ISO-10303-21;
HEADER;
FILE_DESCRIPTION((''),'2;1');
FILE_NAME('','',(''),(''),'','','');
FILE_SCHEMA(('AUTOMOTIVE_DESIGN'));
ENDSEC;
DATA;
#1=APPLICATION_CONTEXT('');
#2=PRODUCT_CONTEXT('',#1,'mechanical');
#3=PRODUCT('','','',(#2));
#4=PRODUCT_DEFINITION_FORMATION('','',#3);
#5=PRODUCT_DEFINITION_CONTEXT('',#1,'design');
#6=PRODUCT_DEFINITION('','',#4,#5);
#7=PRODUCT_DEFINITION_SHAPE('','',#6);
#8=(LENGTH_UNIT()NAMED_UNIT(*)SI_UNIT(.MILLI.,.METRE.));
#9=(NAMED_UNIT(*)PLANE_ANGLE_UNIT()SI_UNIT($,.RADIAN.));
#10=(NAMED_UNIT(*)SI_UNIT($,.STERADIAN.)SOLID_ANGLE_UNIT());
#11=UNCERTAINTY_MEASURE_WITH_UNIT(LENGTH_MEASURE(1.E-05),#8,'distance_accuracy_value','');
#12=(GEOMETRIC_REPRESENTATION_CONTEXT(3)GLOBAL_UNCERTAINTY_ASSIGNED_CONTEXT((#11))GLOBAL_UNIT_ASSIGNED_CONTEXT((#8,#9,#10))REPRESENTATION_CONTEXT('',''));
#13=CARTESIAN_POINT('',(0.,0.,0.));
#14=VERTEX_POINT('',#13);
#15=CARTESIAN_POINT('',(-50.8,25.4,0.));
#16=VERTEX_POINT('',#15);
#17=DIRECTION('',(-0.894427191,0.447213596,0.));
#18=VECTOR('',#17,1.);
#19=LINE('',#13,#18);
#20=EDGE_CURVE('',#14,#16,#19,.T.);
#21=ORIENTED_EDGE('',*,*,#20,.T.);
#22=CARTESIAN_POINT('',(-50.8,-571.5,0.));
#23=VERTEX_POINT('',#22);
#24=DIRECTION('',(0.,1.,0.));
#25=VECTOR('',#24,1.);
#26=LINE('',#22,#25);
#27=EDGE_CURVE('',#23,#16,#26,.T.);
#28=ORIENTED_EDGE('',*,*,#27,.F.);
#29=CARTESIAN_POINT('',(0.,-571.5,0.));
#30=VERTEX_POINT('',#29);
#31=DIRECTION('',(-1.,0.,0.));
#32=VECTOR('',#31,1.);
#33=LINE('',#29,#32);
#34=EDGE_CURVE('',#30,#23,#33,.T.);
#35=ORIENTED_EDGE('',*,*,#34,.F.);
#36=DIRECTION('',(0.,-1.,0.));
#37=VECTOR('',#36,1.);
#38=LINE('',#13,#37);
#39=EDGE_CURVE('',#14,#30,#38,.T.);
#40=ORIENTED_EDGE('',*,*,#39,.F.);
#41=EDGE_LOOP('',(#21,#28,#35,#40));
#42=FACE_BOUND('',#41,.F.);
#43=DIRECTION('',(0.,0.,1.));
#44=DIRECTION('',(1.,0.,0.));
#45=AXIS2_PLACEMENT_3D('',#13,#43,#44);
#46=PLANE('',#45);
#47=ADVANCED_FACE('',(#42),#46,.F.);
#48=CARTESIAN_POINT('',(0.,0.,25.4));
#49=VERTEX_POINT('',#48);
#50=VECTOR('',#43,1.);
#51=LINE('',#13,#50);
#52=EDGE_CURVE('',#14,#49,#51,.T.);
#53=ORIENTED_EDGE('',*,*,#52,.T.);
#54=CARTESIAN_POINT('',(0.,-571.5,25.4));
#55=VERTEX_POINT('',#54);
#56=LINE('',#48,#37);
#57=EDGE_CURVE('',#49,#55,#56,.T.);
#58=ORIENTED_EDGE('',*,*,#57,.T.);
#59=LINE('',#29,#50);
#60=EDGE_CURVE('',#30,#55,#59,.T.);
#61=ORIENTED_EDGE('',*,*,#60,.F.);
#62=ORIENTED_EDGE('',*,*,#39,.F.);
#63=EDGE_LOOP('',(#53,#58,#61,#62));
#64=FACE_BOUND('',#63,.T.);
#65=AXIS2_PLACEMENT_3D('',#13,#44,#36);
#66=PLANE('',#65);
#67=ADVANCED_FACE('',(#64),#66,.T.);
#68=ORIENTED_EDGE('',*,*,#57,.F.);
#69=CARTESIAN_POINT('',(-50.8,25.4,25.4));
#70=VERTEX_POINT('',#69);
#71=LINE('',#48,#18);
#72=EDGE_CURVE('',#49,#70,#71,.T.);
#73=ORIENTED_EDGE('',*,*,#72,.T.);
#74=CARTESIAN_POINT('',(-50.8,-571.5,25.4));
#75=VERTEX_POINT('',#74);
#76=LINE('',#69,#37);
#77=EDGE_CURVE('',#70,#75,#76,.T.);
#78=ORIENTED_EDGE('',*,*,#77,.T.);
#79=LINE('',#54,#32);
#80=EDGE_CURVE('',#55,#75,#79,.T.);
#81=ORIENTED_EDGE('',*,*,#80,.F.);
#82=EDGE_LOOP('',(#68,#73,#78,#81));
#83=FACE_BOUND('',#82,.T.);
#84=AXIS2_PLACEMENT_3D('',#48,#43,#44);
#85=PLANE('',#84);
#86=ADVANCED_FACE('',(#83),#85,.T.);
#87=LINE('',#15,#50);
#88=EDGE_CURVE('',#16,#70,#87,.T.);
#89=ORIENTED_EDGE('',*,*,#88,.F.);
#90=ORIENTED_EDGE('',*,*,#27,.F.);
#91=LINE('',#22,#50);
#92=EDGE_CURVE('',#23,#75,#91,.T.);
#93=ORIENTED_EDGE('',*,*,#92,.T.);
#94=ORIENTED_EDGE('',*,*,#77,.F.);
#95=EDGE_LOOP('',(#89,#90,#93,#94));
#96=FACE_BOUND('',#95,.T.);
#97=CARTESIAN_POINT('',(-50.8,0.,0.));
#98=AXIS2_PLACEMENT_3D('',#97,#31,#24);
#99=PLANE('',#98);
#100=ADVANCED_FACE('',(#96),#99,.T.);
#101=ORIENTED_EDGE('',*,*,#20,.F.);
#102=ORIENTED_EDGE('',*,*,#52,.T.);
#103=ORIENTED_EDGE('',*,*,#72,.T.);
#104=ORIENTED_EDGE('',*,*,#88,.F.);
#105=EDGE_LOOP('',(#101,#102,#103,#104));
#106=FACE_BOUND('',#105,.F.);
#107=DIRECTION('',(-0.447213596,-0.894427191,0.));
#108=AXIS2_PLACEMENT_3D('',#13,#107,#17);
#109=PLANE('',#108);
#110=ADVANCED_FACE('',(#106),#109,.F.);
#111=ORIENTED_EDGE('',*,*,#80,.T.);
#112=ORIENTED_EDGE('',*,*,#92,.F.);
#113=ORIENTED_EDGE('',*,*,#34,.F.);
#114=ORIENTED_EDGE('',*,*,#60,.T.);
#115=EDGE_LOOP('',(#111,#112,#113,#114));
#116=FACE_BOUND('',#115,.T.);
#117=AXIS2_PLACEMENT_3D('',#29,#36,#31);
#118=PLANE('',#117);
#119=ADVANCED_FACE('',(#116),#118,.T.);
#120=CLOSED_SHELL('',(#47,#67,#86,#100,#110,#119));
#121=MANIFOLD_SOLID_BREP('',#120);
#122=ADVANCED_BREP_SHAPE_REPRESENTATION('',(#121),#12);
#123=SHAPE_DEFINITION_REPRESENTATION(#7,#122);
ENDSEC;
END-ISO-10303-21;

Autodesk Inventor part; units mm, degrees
ref_plane "YZ Plane" through (0, 0, 0) normal (1, 0, 0) x (0, 1, 0)
ref_plane "XZ Plane" through (0, 0, 0) normal (0, 1, 0) x (-1, 0, 0)
ref_plane "XY Plane" through (0, 0, 0) normal (0, 0, 1) x (1, 0, 0)
sketch "Sketch1" plane through (0, 0, 0) normal (0, 0, 1) x (1, 0, 0)
  line L0 (0, 0) -> (-50.8, 0)
  line L1 (-50.8, 0) -> (-50.8, 25.4)
  line L2 (0, 0) -> (-50.8, 25.4)
  line L3 (-50.8, 0) -> (0, 0)
  line L4 (0, 0) -> (0, -571.5)
  line L5 (0, -571.5) -> (-50.8, -571.5)
  line L6 (-50.8, -571.5) -> (-50.8, 0)
  dimension "d1" = 25.4
  dimension "d2" = 50.8
  dimension "d3" = 25.4
  dimension "d4" = 571.5
  dimension "d5" = 50.8
extrude "Extrusion1" add sketch "Sketch1" along normal blind 25.4
properties part number "R long Angle"
